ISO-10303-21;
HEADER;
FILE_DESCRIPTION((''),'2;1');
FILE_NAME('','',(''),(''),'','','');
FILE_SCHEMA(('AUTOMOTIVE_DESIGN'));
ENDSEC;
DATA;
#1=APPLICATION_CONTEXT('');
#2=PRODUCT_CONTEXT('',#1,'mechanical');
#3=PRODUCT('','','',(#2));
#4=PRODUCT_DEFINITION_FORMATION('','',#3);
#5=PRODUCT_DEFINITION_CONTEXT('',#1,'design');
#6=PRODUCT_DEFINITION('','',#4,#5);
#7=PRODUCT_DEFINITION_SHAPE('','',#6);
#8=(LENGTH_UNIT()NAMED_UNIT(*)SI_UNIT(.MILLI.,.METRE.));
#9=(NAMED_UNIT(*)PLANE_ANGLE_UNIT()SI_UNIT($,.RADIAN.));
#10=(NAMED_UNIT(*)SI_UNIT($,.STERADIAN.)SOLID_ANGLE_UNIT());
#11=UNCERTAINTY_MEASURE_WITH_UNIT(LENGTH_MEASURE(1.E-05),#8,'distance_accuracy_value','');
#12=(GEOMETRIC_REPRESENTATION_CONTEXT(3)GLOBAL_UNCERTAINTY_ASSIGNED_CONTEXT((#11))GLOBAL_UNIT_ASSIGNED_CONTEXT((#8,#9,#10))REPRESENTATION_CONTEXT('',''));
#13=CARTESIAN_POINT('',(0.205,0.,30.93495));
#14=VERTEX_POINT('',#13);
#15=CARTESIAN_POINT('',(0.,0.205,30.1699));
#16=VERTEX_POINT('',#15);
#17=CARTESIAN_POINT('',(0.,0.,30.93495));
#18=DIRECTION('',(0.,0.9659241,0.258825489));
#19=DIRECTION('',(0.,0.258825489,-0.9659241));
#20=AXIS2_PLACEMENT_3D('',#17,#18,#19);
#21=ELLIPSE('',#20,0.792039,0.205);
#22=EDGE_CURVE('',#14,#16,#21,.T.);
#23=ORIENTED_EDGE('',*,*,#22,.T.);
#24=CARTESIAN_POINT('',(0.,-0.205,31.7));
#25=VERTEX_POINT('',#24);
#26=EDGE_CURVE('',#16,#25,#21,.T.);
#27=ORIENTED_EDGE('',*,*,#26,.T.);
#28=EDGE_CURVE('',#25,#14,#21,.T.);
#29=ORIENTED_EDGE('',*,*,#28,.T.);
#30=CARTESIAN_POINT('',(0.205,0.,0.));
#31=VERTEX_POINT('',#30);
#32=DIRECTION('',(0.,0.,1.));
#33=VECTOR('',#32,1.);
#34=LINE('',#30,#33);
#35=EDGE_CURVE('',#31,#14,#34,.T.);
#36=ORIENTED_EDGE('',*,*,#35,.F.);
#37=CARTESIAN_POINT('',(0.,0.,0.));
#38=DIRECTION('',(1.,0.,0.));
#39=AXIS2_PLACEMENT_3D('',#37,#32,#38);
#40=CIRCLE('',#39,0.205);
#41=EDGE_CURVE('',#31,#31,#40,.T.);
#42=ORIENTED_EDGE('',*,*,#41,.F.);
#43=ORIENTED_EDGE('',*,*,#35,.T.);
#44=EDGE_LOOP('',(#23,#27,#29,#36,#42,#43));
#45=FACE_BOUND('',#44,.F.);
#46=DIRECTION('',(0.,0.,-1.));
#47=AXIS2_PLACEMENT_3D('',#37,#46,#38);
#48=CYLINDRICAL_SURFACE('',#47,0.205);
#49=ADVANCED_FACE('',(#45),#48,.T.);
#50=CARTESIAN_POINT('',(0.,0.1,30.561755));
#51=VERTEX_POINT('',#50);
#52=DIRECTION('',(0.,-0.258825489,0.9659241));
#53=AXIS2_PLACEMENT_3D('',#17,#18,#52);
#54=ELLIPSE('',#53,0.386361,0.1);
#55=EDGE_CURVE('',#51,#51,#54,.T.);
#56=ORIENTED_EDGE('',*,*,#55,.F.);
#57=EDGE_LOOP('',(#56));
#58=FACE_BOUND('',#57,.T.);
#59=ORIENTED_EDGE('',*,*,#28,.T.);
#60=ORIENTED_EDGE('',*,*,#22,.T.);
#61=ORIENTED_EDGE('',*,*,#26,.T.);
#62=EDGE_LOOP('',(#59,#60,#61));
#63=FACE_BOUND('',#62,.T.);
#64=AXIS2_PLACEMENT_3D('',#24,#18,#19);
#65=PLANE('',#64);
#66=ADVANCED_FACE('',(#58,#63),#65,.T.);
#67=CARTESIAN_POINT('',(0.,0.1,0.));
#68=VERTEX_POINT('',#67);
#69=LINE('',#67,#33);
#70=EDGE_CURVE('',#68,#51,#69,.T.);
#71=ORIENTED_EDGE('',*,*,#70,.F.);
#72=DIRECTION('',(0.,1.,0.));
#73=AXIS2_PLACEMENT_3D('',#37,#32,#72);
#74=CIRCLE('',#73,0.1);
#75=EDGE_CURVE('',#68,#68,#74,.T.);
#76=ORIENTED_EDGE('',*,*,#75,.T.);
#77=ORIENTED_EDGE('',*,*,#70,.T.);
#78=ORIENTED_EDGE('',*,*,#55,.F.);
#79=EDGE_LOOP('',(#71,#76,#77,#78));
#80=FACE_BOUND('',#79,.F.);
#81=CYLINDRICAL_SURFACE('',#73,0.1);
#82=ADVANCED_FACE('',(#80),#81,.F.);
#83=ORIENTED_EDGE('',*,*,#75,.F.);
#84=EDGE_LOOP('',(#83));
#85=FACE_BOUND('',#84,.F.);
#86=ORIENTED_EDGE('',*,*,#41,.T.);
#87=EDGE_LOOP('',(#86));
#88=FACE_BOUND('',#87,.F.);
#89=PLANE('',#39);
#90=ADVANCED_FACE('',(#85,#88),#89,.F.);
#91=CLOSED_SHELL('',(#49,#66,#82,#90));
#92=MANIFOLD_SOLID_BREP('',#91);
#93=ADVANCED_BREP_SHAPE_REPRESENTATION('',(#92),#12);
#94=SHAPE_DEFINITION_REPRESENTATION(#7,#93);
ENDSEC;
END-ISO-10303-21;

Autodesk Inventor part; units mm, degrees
ref_plane "YZ Plane" through (0, 0, 0) normal (1, 0, 0) x (0, 1, 0)
ref_plane "XZ Plane" through (0, 0, 0) normal (0, 1, 0) x (-1, 0, 0)
ref_plane "XY Plane" through (0, 0, 0) normal (0, 0, 1) x (1, 0, 0)
sketch "Sketch1" plane through (0, 0, 0) normal (0, 0, 1) x (1, 0, 0)
  circle A0 centre (0, 0) radius 0.205
  dimension "d0" = 0.41
extrude "Extrusion5" add sketch "Sketch1" along normal blind 31.7
hole "Hole2" at (0, 0, 0) direction (0, 0, 1) diameter 0.2 end through all
sketch "Sketch10" plane through (0, 0, 0) normal (1, 0, 0) x (0, 1, 0)
  line L0 (0, -6.34) -> (0, 38.04) projected
  line L1 (-0.205, 31.7) -> (0.205, 31.7) projected
  line L2 (0.205, 0) -> (0.205, 31.7) projected
  line L3 (-0.205, 31.7) -> (0.205, 30.1699)
  line L4 (0.205, 31.7) -> (-0.205, 31.7)
  line L5 (0.205, 30.1699) -> (0.205, 31.7)
  point P0 (0, 0)
  dimension "d52" = 15
  dimension "d53" = 1.5301
extrude "Extrusion6" cut sketch "Sketch10" along normal through all both and the other way through all
properties part number "Needle"
